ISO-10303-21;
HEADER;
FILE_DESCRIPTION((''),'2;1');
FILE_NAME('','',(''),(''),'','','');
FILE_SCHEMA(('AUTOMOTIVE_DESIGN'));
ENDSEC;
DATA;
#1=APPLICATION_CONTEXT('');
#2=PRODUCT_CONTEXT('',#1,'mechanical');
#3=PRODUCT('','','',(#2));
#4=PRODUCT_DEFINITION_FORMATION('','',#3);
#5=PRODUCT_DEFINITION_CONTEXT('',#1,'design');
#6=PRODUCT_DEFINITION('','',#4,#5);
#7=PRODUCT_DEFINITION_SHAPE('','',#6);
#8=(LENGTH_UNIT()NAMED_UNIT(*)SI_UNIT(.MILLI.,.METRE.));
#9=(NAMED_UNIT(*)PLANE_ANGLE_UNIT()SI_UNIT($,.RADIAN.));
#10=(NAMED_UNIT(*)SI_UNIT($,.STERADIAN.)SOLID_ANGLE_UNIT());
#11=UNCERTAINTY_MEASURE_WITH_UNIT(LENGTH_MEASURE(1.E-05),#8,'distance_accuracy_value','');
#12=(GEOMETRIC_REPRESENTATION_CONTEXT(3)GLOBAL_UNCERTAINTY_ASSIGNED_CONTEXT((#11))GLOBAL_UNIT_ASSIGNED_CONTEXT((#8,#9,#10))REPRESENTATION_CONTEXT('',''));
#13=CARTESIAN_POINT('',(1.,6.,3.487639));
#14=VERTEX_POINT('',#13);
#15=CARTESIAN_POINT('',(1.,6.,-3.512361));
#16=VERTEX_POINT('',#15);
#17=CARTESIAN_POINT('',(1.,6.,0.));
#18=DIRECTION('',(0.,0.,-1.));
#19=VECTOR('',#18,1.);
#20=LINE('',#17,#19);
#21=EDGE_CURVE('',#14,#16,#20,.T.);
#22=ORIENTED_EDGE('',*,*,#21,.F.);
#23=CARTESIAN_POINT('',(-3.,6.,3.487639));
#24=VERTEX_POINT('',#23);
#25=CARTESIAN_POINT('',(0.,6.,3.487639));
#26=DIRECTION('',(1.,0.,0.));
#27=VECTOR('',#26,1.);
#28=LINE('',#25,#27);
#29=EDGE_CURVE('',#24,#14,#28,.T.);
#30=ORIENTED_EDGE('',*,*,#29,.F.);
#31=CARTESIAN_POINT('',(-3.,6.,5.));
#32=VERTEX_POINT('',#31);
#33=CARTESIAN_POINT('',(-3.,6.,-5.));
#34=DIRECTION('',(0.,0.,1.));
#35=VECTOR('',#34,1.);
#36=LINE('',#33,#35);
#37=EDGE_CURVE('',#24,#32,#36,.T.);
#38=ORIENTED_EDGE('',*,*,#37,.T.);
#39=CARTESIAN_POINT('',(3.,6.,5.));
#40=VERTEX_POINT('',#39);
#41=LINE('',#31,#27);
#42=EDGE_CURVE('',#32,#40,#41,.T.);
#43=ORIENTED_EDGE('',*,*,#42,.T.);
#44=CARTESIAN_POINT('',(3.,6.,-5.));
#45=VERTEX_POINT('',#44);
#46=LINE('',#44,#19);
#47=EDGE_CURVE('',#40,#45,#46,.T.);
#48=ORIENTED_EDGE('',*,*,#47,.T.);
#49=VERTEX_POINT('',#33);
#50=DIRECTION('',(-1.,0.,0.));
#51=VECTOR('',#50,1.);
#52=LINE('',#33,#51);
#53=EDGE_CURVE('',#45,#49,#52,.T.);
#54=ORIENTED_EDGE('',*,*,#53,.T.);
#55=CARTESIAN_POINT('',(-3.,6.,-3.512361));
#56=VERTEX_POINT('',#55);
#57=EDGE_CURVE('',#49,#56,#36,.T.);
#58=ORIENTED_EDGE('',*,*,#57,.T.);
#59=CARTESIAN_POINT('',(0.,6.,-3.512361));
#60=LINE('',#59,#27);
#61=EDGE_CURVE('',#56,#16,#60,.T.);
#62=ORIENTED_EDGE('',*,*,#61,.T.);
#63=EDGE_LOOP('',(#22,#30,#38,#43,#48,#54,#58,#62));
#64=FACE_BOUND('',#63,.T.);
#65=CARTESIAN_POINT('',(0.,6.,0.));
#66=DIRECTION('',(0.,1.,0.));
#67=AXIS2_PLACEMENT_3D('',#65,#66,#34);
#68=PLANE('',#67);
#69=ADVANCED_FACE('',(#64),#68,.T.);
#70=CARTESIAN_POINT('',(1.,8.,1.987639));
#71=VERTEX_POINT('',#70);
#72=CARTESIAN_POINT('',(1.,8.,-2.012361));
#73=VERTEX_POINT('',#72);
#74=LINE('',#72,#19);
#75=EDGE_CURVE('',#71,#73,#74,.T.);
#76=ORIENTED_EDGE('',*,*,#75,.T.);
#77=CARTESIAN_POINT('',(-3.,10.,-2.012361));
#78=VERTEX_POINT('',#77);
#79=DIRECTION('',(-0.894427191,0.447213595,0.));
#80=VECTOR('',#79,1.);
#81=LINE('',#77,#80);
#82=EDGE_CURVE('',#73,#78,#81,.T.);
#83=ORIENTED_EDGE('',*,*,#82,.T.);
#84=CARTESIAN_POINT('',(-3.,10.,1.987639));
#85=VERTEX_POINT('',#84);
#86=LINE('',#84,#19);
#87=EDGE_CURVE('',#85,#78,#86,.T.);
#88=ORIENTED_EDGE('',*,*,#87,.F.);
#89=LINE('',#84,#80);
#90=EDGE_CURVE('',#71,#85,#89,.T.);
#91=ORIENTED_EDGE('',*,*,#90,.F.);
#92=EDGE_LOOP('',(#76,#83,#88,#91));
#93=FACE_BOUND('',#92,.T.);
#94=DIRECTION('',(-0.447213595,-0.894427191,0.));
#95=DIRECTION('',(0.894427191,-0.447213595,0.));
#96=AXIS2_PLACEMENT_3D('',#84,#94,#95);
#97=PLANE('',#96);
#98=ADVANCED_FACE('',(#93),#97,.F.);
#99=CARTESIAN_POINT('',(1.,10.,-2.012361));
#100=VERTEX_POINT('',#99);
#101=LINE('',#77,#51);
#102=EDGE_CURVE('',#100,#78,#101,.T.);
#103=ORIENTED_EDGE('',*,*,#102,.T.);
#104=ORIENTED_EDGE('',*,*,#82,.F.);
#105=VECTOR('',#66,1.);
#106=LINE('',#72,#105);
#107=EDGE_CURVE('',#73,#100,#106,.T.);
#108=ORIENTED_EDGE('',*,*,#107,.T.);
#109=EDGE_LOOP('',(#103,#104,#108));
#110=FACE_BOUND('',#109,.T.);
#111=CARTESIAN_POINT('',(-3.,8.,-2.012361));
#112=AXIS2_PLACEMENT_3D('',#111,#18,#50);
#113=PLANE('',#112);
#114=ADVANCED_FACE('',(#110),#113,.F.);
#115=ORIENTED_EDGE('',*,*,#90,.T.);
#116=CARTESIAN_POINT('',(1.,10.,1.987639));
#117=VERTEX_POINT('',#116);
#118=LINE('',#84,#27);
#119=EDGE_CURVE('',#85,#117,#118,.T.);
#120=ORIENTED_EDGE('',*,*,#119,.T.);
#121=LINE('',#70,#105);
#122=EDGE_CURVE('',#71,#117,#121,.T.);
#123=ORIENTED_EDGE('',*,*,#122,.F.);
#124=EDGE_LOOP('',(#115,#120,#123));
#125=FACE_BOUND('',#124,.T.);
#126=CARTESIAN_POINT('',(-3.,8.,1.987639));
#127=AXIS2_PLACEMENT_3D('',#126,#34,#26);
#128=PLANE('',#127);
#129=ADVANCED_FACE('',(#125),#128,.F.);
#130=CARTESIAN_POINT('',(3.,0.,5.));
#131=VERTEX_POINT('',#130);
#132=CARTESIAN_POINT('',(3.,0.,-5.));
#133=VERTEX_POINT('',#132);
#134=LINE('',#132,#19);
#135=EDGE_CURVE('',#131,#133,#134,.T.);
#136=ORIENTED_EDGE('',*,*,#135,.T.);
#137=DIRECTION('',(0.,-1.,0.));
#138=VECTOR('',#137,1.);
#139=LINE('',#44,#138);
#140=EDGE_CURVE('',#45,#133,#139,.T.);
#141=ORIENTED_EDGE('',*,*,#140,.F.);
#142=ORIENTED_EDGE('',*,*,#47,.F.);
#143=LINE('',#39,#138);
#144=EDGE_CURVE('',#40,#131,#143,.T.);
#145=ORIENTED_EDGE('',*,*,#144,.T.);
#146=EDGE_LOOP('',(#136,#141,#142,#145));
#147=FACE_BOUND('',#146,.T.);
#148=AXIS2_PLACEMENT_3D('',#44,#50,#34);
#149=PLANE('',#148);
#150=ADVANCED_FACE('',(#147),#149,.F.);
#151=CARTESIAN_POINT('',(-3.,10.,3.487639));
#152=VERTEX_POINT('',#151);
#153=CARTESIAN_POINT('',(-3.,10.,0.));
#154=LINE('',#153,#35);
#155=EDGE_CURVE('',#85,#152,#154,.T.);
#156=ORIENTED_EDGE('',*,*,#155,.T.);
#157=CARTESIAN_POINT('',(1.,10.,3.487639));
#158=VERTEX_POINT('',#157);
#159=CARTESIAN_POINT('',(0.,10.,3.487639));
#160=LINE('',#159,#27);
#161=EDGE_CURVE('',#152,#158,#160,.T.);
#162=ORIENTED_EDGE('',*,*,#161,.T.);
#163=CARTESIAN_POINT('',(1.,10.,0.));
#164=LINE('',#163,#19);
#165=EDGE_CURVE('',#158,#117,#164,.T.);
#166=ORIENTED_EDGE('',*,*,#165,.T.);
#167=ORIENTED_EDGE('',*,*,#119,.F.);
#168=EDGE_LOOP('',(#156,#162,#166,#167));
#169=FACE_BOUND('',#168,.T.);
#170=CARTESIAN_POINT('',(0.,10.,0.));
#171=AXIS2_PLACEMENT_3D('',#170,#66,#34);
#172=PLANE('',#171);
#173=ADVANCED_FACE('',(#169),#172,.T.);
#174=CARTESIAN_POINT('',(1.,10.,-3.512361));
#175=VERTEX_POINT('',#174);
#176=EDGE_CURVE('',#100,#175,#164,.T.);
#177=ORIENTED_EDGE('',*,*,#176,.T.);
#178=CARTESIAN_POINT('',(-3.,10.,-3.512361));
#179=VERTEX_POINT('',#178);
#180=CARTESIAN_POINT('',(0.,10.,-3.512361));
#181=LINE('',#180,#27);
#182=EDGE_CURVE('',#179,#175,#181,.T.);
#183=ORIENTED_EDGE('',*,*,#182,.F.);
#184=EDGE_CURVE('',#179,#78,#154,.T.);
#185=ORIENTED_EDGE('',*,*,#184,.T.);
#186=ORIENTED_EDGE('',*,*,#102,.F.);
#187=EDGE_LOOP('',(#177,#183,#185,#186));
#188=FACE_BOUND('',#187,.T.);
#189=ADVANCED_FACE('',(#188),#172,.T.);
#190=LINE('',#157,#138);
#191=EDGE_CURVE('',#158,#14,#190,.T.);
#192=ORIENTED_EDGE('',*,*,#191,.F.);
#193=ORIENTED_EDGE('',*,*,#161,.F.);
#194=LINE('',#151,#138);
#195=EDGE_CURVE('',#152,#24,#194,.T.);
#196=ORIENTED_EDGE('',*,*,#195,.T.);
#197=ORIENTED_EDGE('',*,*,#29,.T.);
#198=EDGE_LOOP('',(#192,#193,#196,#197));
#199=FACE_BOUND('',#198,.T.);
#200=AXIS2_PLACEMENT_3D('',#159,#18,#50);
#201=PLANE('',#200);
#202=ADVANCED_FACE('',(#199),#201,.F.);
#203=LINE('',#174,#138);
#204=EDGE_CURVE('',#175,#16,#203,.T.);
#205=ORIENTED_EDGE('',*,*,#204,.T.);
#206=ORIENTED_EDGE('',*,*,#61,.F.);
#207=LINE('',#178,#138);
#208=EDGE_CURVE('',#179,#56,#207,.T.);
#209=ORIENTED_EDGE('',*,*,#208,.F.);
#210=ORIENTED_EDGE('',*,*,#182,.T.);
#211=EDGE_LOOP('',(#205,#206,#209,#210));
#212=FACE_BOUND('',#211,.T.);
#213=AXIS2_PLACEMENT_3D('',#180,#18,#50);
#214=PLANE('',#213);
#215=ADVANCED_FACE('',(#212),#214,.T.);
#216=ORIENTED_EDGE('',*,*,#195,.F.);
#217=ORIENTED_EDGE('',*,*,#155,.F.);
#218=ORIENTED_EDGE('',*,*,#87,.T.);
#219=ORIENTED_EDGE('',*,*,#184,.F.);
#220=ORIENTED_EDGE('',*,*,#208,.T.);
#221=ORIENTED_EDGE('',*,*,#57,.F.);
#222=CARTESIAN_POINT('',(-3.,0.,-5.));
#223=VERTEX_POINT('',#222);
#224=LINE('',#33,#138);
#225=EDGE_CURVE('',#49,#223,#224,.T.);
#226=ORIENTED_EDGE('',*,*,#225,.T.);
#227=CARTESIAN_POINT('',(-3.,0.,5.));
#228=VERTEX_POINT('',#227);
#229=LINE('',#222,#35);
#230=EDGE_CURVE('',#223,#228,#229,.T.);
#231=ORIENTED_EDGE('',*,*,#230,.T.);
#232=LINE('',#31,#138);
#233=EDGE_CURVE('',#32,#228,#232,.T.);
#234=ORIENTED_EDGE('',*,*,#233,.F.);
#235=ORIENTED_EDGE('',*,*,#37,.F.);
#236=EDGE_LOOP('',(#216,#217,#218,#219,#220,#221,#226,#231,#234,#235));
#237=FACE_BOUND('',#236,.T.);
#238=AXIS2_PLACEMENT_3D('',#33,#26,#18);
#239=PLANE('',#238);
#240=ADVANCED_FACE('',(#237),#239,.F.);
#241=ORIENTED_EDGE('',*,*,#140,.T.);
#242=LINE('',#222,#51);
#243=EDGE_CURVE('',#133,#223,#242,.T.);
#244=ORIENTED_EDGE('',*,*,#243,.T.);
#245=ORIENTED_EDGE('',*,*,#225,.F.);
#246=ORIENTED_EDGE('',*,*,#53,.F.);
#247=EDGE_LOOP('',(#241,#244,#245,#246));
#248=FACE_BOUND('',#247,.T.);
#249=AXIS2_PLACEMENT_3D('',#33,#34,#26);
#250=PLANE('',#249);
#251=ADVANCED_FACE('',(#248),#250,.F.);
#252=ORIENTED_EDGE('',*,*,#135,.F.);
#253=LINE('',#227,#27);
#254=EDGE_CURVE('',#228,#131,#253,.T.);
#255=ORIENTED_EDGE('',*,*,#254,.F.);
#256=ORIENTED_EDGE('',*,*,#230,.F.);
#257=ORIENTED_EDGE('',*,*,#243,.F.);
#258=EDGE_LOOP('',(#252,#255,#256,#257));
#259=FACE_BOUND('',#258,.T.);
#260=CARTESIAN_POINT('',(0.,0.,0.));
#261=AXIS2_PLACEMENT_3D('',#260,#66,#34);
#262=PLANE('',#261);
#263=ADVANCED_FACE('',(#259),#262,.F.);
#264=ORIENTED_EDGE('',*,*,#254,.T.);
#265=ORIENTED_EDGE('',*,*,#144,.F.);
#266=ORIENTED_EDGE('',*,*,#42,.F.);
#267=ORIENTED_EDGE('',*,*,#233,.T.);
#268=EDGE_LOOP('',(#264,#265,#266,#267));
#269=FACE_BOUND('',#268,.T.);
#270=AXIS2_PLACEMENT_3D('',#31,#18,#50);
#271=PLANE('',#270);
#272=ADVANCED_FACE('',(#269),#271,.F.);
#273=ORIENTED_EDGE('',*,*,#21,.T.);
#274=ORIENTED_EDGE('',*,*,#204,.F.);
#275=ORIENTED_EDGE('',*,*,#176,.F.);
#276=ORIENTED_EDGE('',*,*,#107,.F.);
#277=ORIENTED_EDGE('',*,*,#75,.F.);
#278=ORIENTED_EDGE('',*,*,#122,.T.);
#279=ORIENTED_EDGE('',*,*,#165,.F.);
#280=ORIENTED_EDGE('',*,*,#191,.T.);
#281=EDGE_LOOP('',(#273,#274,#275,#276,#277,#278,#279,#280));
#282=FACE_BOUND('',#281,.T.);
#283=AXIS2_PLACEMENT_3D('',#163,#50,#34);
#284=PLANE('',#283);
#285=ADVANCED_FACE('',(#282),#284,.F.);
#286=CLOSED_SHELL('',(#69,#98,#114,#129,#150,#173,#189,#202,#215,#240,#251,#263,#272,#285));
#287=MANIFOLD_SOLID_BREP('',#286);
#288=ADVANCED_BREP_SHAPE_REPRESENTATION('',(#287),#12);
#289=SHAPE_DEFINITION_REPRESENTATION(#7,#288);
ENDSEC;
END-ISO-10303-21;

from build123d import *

# Parameters (mm, degrees)
CROQUIS1_W              = 6
CROQUIS1_H              = 10
SALIENTE_EXTRUIR1_DEPTH = 6
CROQUIS2_W              = 4
CROQUIS2_H              = 7
SALIENTE_EXTRUIR3_DEPTH = 4
CROQUIS4_W              = 4
CROQUIS4_H              = 4
CORTAR_EXTRUIR1_DEPTH   = 2
SALIENTE_EXTRUIR5_DEPTH = 4


with BuildPart() as part:
    # Croquis1 → Saliente-Extruir1 (new body)
    with BuildSketch(Plane(origin=(0, 0, 0), x_dir=(1, 0, 0), z_dir=(0, 1, 0))):
        Rectangle(CROQUIS1_W, CROQUIS1_H)
    extrude(amount=SALIENTE_EXTRUIR1_DEPTH)

    # Croquis2 → Saliente-Extruir3 (add)
    with BuildSketch(Plane(origin=(0, 6, 0), x_dir=(1, 0, 0), z_dir=(0, 1, 0))):
        with Locations((-1, 0.012360782)):
            Rectangle(CROQUIS2_W, CROQUIS2_H)
    extrude(amount=SALIENTE_EXTRUIR3_DEPTH)

    # Croquis4 → Cortar-Extruir1 (cut)
    with BuildSketch(Plane(origin=(0, 10, 0), x_dir=(1, 0, 0), z_dir=(0, 1, 0))):
        with Locations((-1, 0.012360782)):
            Rectangle(CROQUIS4_W, CROQUIS4_H)
    extrude(amount=-CORTAR_EXTRUIR1_DEPTH, mode=Mode.SUBTRACT)

    # Croquis6 → Saliente-Extruir5 (add)
    with BuildSketch(Plane.XY.offset(-2.012360782)):
        Polygon((-3, 10), (1, 8), (-3, 8), align=None)
    extrude(amount=SALIENTE_EXTRUIR5_DEPTH)


solid = part.part
